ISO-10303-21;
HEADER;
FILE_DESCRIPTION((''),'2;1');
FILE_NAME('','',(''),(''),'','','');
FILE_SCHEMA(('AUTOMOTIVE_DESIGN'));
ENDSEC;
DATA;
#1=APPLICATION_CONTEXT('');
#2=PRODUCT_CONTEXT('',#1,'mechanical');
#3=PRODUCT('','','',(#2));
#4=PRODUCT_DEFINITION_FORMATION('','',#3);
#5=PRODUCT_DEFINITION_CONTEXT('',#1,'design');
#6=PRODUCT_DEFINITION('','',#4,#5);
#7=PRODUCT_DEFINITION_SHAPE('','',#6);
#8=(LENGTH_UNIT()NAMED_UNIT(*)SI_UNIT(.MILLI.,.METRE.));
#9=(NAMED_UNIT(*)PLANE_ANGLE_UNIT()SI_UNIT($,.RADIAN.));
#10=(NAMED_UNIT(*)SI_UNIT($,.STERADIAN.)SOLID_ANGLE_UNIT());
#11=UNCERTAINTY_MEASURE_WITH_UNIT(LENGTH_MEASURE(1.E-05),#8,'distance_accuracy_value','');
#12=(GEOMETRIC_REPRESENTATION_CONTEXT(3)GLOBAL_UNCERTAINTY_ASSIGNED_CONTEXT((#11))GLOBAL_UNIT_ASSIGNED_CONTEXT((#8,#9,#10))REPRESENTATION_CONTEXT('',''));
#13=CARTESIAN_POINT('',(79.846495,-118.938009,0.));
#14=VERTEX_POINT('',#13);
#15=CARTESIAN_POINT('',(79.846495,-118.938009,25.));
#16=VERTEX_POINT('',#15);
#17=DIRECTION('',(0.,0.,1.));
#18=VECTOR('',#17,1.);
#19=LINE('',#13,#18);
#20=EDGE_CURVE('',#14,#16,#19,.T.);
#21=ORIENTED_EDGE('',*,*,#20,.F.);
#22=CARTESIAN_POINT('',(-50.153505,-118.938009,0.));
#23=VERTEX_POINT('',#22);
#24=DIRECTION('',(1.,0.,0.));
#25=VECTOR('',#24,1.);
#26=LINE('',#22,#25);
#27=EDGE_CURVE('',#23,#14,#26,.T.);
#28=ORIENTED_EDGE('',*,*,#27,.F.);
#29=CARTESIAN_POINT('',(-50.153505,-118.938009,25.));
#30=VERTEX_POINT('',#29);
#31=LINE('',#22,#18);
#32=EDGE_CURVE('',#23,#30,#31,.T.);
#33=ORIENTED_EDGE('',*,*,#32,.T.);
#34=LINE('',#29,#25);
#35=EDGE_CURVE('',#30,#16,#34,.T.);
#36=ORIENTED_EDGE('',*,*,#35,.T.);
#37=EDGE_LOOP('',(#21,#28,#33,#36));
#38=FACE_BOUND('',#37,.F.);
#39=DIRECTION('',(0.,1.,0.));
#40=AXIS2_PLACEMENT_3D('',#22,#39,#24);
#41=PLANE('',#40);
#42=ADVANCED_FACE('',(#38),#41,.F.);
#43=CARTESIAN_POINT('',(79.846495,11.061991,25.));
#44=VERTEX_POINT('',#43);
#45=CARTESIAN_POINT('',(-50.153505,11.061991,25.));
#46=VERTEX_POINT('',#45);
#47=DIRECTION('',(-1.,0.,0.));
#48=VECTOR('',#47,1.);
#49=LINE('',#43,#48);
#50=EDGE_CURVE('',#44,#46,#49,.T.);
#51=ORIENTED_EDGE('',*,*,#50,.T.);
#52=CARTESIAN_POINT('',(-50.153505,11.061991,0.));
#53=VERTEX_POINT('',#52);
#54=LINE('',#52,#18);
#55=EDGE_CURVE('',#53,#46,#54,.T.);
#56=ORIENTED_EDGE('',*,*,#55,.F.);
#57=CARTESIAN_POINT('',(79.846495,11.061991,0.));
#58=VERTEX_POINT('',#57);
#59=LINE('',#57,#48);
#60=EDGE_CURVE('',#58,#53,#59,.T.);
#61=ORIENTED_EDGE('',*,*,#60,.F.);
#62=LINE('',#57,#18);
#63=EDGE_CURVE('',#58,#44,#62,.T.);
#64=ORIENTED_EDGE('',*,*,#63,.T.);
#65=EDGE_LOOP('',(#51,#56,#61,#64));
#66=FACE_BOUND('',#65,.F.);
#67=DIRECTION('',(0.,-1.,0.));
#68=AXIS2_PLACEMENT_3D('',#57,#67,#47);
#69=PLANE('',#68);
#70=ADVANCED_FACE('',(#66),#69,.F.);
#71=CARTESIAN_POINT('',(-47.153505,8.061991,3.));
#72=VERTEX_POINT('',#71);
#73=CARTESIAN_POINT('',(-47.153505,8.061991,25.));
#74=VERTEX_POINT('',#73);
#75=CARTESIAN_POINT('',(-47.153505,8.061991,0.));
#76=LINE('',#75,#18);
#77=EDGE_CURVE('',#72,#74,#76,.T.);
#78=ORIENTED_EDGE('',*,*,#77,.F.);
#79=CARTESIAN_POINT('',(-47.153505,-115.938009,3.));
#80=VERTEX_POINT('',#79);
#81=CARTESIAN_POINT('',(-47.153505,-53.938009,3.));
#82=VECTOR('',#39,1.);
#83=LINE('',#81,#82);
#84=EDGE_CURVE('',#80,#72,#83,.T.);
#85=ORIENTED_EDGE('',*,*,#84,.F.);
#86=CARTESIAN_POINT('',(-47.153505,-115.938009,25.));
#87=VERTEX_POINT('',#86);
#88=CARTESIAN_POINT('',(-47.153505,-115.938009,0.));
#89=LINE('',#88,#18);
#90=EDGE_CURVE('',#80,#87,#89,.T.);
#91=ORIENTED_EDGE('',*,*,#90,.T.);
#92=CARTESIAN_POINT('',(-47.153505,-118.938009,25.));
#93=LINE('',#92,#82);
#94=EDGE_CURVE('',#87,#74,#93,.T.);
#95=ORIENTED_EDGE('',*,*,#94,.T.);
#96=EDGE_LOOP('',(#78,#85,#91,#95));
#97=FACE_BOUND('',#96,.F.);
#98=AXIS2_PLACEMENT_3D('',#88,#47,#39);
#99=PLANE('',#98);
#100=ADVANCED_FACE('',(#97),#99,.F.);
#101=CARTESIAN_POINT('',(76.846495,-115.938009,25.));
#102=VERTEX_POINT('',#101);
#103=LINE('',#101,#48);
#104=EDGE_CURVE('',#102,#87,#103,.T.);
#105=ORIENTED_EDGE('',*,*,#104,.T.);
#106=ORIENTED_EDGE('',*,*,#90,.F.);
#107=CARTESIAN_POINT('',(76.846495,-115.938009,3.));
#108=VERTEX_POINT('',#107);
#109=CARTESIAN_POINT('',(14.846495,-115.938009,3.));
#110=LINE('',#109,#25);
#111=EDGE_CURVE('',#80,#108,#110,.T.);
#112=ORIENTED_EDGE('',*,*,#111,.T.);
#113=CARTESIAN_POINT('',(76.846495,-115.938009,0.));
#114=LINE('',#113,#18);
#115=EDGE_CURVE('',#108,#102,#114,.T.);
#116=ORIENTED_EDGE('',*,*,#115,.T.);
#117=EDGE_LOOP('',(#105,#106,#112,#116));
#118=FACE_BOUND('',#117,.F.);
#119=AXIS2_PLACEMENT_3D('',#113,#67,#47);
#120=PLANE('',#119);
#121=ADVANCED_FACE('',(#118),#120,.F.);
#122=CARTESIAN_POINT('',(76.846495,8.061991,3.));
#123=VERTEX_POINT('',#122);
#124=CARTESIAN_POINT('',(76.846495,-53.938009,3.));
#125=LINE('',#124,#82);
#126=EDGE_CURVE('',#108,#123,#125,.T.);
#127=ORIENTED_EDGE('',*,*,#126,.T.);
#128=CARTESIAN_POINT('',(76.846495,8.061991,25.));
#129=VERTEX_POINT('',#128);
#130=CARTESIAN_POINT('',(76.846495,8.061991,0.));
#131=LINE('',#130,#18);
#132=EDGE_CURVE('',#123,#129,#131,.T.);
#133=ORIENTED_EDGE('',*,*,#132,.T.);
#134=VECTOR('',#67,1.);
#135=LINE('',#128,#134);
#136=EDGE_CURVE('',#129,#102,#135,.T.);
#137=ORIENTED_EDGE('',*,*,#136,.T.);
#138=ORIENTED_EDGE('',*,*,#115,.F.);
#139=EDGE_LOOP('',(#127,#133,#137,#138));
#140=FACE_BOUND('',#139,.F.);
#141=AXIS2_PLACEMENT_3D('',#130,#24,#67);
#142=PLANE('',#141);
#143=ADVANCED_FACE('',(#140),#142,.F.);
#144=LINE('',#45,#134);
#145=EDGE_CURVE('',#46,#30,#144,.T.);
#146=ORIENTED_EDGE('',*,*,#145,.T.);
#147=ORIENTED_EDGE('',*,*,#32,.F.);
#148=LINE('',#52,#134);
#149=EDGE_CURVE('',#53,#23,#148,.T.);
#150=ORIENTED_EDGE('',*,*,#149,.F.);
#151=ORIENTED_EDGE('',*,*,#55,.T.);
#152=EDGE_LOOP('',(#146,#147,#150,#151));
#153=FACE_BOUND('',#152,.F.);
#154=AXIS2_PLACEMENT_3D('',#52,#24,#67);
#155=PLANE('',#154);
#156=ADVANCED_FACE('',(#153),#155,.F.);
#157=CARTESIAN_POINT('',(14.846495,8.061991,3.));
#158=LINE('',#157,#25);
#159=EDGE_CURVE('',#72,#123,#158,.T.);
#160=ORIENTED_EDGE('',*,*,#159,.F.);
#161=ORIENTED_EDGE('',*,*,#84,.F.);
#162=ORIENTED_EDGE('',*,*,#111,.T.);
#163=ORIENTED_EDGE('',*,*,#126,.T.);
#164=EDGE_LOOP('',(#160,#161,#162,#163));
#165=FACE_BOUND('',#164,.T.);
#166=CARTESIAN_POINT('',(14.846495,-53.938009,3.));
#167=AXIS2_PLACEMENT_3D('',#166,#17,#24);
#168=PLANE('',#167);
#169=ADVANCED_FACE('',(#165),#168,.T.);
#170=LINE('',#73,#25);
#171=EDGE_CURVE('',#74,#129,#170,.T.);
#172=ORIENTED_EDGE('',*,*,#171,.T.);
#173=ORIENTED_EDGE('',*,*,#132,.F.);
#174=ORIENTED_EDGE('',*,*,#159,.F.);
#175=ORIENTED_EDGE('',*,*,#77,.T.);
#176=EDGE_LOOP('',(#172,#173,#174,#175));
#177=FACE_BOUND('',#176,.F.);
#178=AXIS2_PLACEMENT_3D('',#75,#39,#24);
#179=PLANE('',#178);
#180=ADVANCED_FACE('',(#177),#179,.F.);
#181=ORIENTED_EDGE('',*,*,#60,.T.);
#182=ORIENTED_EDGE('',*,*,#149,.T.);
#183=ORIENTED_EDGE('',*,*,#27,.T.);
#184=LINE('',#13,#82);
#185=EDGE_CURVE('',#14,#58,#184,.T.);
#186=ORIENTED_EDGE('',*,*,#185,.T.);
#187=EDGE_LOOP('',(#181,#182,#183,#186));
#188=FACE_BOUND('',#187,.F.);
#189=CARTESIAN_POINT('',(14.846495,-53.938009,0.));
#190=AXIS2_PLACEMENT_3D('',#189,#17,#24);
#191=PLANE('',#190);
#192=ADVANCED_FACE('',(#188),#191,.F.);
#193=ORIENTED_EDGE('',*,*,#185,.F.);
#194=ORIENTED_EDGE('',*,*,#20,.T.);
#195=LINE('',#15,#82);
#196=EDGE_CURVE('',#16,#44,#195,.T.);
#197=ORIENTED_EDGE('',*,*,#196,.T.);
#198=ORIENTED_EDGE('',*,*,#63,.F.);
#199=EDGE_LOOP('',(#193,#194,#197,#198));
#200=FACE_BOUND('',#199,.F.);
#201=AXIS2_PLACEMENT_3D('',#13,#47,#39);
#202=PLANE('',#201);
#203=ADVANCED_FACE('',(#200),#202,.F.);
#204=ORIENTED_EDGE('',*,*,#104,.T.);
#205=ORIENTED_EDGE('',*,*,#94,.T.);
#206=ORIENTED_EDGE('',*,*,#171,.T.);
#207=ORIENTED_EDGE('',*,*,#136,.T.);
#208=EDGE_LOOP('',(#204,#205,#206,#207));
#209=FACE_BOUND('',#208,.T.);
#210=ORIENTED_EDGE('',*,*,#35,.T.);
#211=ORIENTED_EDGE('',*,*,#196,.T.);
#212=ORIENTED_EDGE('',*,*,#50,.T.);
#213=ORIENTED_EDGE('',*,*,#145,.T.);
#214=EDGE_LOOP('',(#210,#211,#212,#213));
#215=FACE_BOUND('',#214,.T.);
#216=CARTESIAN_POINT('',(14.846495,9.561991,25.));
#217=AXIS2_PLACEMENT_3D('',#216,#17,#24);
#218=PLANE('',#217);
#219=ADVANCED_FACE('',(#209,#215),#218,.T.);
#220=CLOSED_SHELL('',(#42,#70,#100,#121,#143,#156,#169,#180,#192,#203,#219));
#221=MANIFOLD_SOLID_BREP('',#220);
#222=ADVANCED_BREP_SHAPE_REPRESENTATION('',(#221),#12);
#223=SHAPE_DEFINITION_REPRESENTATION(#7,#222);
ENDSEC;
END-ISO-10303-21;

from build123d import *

# Parameters (mm, degrees)
F1_DEPTH = 25
F0_W     = 124
F0_H     = 124
F2_DEPTH = 3


with BuildPart() as f1:
    # F0 (on Top) → F1 (new body)
    with BuildSketch(Plane.XY):
        Polygon((47.188934, 11.061991), (-47.153505, 11.061991), (-47.153505, 8.061991), (76.846495, 8.061991), (76.846495, 11.061991), (57.846495, 11.061991), align=None)
        Polygon((-47.153505, 11.061991), (-50.153505, 11.061991), (-50.153505, 9.061991), (-50.153505, -116.938009), (-50.153505, -118.938009), (-47.153505, -118.938009), (-47.153505, -115.938009), (-47.153505, 8.061991), align=None)
        Polygon((76.846495, -115.938009), (-47.153505, -115.938009), (-47.153505, -118.938009), (47.188934, -118.938009), (76.846495, -118.938009), align=None)
        Polygon((76.846495, 11.061991), (76.846495, 8.061991), (76.846495, -115.938009), (76.846495, -118.938009), (79.846495, -118.938009), (79.846495, -116.938009), (79.846495, 11.061991), align=None)
    extrude(amount=F1_DEPTH)

    # F0 (on Top) → F2 (join)
    with BuildSketch(Plane.XY):
        with Locations((14.846495, -53.938009)):
            Rectangle(F0_W, F0_H)
    extrude(amount=F2_DEPTH)


solid = f1.part
